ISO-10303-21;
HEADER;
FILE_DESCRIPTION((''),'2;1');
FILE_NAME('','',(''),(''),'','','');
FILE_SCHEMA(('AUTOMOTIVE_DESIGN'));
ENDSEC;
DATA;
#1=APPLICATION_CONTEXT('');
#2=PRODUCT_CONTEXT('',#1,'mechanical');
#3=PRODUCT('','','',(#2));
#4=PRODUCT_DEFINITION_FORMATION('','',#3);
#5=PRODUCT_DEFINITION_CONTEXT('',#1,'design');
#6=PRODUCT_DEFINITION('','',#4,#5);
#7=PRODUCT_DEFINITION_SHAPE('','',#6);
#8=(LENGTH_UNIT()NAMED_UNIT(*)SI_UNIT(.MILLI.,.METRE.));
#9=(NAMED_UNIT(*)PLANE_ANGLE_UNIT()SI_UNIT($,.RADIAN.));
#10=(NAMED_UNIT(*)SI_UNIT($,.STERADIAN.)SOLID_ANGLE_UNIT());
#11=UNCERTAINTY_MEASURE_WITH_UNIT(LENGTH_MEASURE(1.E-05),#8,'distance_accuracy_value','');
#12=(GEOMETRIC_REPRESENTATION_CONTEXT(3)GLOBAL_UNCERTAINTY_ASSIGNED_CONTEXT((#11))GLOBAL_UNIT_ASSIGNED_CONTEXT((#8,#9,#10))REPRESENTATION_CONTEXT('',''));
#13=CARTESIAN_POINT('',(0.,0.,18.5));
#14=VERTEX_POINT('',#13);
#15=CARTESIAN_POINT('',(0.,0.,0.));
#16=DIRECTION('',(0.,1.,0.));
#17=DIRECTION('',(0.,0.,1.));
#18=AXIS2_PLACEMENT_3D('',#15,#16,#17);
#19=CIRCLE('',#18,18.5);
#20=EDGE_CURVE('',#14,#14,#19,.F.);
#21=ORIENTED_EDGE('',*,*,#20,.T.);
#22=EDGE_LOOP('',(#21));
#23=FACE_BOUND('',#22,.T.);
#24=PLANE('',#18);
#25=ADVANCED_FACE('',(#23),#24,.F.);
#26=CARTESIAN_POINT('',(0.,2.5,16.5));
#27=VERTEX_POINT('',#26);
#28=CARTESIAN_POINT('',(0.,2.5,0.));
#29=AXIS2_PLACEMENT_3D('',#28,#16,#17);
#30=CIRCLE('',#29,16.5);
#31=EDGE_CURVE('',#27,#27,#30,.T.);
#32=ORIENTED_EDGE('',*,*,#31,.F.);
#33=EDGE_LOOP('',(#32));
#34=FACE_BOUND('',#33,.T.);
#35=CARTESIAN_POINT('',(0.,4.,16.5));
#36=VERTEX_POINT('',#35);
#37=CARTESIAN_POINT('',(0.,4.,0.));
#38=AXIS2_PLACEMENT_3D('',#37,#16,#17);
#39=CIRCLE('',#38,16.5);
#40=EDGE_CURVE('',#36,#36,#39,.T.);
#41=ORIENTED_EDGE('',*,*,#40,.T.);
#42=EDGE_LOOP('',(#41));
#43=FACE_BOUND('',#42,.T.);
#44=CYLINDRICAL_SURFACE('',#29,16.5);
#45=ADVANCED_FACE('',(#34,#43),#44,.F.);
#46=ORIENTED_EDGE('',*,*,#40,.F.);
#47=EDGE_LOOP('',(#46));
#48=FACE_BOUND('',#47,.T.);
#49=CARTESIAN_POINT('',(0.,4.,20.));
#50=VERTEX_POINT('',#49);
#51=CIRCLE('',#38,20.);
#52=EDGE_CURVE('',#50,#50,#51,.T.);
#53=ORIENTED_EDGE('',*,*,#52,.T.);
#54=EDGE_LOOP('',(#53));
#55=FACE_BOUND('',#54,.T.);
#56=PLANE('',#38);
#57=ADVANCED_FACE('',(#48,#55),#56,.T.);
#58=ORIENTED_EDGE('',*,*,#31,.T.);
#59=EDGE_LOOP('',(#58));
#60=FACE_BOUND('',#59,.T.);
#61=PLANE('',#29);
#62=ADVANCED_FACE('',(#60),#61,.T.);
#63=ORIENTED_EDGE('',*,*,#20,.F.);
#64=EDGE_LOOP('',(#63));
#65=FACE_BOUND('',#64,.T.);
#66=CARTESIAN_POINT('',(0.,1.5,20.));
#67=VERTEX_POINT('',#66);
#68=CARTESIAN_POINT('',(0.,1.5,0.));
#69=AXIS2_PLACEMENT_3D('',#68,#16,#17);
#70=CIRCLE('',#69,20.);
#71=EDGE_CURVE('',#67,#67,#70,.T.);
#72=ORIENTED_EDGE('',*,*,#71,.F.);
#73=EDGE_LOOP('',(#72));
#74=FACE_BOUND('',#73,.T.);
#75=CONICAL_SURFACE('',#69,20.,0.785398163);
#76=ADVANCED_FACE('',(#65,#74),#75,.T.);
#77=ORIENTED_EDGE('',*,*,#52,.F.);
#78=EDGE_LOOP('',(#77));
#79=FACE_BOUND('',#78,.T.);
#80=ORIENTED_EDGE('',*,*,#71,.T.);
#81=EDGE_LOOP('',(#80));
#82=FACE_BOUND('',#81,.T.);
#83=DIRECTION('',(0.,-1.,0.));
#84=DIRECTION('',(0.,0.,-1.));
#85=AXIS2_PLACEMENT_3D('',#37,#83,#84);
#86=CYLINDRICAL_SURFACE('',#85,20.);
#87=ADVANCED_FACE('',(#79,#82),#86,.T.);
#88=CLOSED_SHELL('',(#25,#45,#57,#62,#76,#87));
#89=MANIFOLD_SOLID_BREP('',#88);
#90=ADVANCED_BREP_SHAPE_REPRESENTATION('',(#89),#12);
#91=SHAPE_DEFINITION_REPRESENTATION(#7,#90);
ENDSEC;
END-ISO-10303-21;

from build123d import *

# Parameters (mm, degrees)
SKETCH1_R           = 20
BOSS_EXTRUDE1_DEPTH = 4
SKETCH2_R           = 16.5
CUT_EXTRUDE1_DEPTH  = 1.5
CHAMFER1_SIZE       = 1.5


with BuildPart() as part:
    # Sketch1 → Boss-Extrude1 (new body)
    with BuildSketch(Plane(origin=(0, 0, 0), x_dir=(1, 0, 0), z_dir=(0, 1, 0))):
        Circle(SKETCH1_R)
    extrude(amount=BOSS_EXTRUDE1_DEPTH)

    # Sketch2 → Cut-Extrude1 (cut)
    with BuildSketch(Plane(origin=(0, 4, 0), x_dir=(1, 0, 0), z_dir=(0, 1, 0))):
        Circle(SKETCH2_R)
    extrude(amount=-CUT_EXTRUDE1_DEPTH, mode=Mode.SUBTRACT)

    # Chamfer1
    chamfer1_edges = [part.edges().sort_by_distance(p)[0] for p in [
        (-20, 0, 0),
    ]]
    chamfer(chamfer1_edges, length=CHAMFER1_SIZE)


solid = part.part
